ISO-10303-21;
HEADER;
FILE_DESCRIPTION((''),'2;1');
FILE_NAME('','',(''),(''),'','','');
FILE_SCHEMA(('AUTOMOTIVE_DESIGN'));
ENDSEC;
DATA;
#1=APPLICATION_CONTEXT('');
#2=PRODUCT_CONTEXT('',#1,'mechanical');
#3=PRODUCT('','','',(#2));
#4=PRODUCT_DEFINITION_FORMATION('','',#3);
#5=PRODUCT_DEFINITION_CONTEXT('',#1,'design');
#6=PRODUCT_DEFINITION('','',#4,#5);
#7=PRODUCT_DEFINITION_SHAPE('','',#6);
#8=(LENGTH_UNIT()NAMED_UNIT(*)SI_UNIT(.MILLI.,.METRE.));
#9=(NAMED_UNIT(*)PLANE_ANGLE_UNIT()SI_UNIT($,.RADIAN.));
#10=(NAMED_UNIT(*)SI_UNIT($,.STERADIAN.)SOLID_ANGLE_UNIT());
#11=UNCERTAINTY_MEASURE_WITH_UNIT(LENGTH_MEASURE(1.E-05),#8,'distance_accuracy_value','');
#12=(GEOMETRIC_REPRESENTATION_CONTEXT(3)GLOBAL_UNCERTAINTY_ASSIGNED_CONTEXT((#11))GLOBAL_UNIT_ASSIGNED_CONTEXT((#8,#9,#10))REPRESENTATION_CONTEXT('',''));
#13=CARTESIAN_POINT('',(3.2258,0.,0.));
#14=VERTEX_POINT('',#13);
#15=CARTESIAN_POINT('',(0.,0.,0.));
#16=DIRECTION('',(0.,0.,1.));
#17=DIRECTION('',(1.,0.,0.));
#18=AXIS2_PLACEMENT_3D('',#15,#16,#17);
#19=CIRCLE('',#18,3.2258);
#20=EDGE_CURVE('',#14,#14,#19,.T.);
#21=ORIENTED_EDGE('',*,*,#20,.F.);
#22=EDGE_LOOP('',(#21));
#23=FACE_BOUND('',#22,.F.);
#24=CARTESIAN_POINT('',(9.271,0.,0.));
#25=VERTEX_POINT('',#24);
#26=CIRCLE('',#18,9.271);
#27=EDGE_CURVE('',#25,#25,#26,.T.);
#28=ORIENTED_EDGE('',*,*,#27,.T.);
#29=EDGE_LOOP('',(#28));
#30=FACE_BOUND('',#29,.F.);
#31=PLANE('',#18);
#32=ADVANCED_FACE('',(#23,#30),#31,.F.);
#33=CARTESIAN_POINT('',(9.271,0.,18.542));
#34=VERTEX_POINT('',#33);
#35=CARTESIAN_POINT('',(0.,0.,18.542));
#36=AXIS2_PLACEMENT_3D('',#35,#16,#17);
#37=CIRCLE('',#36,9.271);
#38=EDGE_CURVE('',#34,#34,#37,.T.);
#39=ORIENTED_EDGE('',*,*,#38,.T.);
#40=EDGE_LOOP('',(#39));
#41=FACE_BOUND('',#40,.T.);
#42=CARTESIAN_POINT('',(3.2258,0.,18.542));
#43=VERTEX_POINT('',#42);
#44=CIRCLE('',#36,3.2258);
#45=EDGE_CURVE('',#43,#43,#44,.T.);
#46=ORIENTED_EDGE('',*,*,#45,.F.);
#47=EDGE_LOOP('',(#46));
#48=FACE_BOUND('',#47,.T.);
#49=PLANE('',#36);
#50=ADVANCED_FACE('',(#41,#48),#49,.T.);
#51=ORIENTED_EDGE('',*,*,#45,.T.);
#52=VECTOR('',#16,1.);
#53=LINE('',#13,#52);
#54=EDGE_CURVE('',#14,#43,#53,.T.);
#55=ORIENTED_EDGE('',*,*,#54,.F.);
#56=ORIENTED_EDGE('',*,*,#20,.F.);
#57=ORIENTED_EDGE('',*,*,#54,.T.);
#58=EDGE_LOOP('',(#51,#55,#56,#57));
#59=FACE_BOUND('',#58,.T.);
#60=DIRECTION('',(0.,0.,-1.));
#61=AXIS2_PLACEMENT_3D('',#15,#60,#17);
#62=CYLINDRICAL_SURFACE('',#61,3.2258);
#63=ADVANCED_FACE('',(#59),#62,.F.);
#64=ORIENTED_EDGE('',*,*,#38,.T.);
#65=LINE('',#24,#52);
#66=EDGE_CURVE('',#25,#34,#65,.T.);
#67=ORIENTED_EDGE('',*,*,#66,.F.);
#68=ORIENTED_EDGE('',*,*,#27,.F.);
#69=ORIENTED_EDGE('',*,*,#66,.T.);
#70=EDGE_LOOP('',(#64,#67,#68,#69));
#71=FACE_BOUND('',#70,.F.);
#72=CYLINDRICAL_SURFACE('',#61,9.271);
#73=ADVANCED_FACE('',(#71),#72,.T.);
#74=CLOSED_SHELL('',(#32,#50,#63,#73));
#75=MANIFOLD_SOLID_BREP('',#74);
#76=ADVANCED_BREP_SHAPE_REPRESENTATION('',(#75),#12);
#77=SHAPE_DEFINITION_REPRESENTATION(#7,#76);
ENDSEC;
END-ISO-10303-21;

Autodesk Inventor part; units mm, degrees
ref_plane "YZ Plane" through (0, 0, 0) normal (1, 0, 0) x (0, 1, 0)
ref_plane "XZ Plane" through (0, 0, 0) normal (0, 1, 0) x (-1, 0, 0)
ref_plane "XY Plane" through (0, 0, 0) normal (0, 0, 1) x (1, 0, 0)
sketch "Sketch1" plane through (0, 0, 0) normal (0, 0, 1) x (1, 0, 0)
  circle A0 centre (0, 0) radius 3.2258
  circle A1 centre (0, 0) radius 9.271
  dimension "d0" = 6.4516
  dimension "d1" = 18.542
extrude "Extrusion1" add sketch "Sketch1" along normal blind 18.542
properties part number "TPUspacer"
